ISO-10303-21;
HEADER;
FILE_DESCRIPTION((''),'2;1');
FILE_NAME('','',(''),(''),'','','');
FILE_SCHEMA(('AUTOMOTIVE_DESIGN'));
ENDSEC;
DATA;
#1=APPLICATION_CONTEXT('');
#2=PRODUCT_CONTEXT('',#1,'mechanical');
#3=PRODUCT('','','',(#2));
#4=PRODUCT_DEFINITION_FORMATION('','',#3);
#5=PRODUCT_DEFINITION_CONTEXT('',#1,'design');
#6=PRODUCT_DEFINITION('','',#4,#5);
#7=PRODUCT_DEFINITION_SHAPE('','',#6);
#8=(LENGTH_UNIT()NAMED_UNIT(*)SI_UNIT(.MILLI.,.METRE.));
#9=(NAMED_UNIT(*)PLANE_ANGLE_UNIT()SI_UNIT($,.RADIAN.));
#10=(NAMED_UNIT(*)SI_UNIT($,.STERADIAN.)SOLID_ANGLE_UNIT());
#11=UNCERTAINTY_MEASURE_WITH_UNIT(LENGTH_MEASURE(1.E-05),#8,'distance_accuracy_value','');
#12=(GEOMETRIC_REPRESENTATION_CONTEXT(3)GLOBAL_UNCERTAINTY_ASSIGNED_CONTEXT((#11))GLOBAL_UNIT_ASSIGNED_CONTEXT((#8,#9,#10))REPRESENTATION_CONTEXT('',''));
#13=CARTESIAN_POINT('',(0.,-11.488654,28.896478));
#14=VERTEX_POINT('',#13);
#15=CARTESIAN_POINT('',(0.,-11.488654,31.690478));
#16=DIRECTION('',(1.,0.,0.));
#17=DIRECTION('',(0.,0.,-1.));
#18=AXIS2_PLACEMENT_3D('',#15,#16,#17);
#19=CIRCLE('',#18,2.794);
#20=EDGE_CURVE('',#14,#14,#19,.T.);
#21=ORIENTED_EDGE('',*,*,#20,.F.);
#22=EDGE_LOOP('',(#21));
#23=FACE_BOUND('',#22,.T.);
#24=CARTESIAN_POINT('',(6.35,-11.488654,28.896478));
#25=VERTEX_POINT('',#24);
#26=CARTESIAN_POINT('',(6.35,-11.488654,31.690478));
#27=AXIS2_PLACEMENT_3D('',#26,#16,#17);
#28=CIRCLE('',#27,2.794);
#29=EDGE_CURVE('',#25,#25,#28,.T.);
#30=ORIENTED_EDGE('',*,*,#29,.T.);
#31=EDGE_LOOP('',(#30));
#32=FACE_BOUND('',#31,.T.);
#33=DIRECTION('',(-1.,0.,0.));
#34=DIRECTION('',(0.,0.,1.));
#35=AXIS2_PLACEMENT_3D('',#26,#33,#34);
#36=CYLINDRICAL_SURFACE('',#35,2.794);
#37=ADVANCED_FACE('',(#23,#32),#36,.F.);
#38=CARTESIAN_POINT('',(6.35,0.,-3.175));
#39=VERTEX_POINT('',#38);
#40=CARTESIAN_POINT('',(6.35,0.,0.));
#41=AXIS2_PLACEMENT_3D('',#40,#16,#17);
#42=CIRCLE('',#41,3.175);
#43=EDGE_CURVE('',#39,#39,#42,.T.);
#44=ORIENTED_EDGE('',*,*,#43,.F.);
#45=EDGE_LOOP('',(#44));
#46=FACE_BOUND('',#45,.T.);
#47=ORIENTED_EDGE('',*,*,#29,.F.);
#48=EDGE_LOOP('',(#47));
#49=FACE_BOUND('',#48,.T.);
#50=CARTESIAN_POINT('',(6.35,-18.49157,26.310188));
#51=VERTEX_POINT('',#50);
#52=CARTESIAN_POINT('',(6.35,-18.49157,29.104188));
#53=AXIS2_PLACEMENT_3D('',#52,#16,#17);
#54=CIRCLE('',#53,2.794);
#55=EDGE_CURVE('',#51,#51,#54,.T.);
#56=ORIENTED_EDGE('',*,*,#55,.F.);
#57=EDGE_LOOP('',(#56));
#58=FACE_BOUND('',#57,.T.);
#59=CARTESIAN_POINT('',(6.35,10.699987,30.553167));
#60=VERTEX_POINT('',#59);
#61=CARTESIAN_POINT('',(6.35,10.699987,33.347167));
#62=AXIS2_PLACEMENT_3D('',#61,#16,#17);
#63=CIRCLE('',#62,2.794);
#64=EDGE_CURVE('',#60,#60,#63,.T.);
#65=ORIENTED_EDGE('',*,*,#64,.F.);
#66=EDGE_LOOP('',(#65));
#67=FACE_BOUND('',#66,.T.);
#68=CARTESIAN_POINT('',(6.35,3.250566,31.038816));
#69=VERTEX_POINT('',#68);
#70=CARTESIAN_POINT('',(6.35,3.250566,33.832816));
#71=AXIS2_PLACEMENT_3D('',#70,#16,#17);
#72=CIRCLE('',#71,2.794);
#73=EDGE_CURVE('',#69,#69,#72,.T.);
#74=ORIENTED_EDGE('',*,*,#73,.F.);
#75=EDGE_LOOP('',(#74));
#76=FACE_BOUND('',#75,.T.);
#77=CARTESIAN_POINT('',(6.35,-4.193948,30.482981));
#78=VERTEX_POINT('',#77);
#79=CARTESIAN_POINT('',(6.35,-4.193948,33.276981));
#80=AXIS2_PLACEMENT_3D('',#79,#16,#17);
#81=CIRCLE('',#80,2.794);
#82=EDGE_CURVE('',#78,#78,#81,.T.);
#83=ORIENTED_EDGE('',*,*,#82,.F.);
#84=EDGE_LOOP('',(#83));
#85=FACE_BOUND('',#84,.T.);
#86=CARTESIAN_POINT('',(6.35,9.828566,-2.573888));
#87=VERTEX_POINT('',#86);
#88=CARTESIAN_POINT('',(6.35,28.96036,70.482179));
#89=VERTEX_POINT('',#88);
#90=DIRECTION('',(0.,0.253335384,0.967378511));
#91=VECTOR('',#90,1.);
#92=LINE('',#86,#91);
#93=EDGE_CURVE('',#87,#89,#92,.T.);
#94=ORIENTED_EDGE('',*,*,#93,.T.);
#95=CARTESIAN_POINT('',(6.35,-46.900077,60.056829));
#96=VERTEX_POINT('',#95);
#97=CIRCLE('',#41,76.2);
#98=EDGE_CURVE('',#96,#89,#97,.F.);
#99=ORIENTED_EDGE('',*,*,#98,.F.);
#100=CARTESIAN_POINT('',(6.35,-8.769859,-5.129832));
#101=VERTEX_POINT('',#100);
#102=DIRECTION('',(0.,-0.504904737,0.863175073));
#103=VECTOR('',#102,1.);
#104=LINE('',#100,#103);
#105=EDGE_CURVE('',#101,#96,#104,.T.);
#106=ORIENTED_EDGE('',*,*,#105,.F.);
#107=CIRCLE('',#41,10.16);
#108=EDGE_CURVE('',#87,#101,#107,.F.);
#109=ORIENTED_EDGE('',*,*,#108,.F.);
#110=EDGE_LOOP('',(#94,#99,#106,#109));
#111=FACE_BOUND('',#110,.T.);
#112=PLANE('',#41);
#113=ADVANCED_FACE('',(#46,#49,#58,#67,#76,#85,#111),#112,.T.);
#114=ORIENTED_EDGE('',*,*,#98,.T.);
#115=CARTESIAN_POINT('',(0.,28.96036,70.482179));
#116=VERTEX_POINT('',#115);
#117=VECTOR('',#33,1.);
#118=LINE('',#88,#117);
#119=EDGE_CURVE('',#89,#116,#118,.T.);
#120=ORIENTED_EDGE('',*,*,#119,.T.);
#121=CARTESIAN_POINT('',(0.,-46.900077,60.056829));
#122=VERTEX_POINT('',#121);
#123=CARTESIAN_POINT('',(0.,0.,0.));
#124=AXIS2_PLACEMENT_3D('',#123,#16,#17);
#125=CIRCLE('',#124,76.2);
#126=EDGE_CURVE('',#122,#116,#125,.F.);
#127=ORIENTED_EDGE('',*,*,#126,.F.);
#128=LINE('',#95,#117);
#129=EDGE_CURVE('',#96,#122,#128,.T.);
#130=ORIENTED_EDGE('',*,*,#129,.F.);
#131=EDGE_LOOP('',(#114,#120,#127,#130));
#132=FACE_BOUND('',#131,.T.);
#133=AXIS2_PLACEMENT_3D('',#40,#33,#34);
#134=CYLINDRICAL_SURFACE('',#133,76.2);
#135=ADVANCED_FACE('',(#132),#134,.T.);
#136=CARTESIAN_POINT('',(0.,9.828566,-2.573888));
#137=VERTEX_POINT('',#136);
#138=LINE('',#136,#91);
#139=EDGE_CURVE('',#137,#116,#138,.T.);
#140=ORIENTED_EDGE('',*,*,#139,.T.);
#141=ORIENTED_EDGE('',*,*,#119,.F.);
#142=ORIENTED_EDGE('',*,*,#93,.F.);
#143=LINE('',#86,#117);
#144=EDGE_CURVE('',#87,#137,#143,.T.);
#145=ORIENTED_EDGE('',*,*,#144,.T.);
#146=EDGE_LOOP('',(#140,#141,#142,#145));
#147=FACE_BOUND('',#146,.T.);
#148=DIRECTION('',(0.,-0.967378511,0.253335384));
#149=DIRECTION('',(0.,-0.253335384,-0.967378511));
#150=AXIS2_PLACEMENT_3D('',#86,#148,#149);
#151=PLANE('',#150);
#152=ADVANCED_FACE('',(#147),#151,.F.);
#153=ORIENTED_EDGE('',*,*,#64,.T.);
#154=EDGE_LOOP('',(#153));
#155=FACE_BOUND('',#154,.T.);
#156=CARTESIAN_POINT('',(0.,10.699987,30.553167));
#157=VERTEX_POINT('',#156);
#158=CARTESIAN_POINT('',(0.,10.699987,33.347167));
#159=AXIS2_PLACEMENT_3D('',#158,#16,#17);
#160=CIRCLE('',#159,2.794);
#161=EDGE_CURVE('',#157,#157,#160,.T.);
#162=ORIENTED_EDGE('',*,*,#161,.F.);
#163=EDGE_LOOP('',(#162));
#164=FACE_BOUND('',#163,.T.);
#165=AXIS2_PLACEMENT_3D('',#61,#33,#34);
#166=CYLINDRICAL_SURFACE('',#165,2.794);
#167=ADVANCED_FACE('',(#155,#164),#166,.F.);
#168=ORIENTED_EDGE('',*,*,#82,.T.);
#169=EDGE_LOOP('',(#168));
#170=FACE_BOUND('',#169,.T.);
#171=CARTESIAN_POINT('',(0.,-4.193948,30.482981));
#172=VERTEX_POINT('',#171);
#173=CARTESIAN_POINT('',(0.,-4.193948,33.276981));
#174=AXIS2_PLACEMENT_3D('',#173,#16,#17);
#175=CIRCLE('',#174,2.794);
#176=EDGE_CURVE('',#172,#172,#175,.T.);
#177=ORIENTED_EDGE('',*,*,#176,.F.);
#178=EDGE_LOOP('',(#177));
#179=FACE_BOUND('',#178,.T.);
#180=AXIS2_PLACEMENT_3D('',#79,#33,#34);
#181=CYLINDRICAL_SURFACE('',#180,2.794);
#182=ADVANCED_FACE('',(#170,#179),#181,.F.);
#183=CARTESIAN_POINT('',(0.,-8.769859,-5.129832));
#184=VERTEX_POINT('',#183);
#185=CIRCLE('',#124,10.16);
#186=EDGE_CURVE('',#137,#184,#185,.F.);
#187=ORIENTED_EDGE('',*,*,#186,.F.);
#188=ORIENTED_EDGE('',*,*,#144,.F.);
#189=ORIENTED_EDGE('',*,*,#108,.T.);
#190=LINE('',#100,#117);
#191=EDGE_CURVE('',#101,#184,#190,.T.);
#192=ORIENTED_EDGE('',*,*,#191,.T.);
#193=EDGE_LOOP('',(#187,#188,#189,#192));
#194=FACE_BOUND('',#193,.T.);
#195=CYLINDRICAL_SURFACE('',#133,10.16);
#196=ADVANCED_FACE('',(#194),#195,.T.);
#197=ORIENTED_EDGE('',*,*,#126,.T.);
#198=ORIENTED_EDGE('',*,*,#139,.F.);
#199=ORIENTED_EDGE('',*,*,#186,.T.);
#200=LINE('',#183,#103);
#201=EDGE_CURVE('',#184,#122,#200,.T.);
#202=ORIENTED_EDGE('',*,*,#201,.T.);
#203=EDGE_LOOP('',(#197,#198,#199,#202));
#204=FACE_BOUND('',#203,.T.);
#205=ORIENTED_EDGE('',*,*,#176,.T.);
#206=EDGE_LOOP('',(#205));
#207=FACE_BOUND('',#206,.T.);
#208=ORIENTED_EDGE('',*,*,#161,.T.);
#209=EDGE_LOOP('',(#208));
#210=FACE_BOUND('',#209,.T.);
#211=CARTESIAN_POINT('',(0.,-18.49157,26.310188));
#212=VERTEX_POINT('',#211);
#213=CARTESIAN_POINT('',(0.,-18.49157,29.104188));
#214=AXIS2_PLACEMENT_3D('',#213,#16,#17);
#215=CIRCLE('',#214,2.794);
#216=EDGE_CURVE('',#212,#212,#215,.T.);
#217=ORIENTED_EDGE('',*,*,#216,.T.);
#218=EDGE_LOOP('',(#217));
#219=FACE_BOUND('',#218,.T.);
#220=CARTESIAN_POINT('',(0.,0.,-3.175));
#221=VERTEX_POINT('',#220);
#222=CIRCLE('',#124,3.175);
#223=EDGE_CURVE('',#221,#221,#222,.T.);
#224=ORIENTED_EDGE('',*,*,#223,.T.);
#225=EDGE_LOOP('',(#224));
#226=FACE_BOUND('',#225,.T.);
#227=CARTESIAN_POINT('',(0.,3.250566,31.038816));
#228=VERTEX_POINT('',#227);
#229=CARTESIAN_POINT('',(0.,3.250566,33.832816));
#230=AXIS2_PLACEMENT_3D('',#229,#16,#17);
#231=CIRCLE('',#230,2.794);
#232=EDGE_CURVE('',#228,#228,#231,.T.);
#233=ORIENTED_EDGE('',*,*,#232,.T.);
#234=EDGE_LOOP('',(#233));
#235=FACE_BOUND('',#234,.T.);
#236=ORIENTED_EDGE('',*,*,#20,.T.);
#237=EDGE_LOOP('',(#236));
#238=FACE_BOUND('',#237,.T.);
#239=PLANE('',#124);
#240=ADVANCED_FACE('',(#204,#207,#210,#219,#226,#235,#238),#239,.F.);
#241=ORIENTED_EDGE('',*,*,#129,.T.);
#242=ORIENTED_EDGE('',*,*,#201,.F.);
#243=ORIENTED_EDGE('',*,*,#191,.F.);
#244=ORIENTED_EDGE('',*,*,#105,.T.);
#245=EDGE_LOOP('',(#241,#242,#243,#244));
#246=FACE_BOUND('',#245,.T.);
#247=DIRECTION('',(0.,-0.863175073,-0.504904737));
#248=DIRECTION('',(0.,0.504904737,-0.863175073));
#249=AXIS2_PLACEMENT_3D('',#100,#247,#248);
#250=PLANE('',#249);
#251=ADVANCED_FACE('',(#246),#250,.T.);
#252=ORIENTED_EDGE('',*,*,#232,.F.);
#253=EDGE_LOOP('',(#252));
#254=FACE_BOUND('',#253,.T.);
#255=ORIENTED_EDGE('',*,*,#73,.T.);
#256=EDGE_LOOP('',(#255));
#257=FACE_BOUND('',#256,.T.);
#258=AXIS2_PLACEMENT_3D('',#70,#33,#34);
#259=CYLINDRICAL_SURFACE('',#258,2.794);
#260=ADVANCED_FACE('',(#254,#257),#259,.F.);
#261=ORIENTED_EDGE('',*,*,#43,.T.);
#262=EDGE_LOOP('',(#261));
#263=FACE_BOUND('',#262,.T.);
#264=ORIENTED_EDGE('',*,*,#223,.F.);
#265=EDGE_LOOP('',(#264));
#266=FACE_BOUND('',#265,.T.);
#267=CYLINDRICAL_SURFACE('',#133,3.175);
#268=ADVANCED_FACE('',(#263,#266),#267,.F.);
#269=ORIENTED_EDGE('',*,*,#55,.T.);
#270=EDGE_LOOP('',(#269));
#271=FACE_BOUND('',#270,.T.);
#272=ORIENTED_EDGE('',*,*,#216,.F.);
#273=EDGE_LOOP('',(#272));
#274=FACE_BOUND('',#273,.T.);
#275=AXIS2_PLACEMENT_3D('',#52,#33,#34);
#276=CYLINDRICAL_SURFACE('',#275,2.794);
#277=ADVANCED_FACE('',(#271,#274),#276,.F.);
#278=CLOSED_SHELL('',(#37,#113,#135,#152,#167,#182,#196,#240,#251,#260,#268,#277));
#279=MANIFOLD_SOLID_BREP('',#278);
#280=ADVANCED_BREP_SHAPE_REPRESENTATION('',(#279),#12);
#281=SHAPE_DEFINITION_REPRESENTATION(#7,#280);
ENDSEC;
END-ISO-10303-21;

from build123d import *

# Parameters (mm, degrees)
SKETCH1_R           = 2.794
SKETCH1_R_2         = 3.175
BOSS_EXTRUDE1_DEPTH = 6.35


with BuildPart() as part:
    # Sketch1 → Boss-Extrude1 (new body)
    with BuildSketch(Plane(origin=(0, 0, 0), x_dir=(0, 0, -1), z_dir=(1, 0, 0))):
        with BuildLine():
            Line((2.573887506, 9.828565669), (-70.482178955, 28.960359974))
            ThreePointArc((-70.482178955, 28.960359974), (-75.490460705, -10.374504448), (-60.056829366, -46.900077255))
            Line((-60.056829366, -46.900077255), (5.129832124, -8.769858743))
            ThreePointArc((5.129832124, -8.769858743), (10.065394761, 1.38326726), (2.573887506, 9.828565669))
        make_face()
        with Locations((-33.347167041, 10.699986838)):
            Circle(SKETCH1_R, mode=Mode.SUBTRACT)
        with Locations((-33.832816449, 3.25056569)):
            Circle(SKETCH1_R, mode=Mode.SUBTRACT)
        with Locations((-33.276980509, -4.193947538)):
            Circle(SKETCH1_R, mode=Mode.SUBTRACT)
        with Locations((-31.690477935, -11.488653864)):
            Circle(SKETCH1_R, mode=Mode.SUBTRACT)
        with Locations((-29.104188196, -18.491570126)):
            Circle(SKETCH1_R, mode=Mode.SUBTRACT)
        Circle(SKETCH1_R_2, mode=Mode.SUBTRACT)
    extrude(amount=BOSS_EXTRUDE1_DEPTH)


solid = part.part
